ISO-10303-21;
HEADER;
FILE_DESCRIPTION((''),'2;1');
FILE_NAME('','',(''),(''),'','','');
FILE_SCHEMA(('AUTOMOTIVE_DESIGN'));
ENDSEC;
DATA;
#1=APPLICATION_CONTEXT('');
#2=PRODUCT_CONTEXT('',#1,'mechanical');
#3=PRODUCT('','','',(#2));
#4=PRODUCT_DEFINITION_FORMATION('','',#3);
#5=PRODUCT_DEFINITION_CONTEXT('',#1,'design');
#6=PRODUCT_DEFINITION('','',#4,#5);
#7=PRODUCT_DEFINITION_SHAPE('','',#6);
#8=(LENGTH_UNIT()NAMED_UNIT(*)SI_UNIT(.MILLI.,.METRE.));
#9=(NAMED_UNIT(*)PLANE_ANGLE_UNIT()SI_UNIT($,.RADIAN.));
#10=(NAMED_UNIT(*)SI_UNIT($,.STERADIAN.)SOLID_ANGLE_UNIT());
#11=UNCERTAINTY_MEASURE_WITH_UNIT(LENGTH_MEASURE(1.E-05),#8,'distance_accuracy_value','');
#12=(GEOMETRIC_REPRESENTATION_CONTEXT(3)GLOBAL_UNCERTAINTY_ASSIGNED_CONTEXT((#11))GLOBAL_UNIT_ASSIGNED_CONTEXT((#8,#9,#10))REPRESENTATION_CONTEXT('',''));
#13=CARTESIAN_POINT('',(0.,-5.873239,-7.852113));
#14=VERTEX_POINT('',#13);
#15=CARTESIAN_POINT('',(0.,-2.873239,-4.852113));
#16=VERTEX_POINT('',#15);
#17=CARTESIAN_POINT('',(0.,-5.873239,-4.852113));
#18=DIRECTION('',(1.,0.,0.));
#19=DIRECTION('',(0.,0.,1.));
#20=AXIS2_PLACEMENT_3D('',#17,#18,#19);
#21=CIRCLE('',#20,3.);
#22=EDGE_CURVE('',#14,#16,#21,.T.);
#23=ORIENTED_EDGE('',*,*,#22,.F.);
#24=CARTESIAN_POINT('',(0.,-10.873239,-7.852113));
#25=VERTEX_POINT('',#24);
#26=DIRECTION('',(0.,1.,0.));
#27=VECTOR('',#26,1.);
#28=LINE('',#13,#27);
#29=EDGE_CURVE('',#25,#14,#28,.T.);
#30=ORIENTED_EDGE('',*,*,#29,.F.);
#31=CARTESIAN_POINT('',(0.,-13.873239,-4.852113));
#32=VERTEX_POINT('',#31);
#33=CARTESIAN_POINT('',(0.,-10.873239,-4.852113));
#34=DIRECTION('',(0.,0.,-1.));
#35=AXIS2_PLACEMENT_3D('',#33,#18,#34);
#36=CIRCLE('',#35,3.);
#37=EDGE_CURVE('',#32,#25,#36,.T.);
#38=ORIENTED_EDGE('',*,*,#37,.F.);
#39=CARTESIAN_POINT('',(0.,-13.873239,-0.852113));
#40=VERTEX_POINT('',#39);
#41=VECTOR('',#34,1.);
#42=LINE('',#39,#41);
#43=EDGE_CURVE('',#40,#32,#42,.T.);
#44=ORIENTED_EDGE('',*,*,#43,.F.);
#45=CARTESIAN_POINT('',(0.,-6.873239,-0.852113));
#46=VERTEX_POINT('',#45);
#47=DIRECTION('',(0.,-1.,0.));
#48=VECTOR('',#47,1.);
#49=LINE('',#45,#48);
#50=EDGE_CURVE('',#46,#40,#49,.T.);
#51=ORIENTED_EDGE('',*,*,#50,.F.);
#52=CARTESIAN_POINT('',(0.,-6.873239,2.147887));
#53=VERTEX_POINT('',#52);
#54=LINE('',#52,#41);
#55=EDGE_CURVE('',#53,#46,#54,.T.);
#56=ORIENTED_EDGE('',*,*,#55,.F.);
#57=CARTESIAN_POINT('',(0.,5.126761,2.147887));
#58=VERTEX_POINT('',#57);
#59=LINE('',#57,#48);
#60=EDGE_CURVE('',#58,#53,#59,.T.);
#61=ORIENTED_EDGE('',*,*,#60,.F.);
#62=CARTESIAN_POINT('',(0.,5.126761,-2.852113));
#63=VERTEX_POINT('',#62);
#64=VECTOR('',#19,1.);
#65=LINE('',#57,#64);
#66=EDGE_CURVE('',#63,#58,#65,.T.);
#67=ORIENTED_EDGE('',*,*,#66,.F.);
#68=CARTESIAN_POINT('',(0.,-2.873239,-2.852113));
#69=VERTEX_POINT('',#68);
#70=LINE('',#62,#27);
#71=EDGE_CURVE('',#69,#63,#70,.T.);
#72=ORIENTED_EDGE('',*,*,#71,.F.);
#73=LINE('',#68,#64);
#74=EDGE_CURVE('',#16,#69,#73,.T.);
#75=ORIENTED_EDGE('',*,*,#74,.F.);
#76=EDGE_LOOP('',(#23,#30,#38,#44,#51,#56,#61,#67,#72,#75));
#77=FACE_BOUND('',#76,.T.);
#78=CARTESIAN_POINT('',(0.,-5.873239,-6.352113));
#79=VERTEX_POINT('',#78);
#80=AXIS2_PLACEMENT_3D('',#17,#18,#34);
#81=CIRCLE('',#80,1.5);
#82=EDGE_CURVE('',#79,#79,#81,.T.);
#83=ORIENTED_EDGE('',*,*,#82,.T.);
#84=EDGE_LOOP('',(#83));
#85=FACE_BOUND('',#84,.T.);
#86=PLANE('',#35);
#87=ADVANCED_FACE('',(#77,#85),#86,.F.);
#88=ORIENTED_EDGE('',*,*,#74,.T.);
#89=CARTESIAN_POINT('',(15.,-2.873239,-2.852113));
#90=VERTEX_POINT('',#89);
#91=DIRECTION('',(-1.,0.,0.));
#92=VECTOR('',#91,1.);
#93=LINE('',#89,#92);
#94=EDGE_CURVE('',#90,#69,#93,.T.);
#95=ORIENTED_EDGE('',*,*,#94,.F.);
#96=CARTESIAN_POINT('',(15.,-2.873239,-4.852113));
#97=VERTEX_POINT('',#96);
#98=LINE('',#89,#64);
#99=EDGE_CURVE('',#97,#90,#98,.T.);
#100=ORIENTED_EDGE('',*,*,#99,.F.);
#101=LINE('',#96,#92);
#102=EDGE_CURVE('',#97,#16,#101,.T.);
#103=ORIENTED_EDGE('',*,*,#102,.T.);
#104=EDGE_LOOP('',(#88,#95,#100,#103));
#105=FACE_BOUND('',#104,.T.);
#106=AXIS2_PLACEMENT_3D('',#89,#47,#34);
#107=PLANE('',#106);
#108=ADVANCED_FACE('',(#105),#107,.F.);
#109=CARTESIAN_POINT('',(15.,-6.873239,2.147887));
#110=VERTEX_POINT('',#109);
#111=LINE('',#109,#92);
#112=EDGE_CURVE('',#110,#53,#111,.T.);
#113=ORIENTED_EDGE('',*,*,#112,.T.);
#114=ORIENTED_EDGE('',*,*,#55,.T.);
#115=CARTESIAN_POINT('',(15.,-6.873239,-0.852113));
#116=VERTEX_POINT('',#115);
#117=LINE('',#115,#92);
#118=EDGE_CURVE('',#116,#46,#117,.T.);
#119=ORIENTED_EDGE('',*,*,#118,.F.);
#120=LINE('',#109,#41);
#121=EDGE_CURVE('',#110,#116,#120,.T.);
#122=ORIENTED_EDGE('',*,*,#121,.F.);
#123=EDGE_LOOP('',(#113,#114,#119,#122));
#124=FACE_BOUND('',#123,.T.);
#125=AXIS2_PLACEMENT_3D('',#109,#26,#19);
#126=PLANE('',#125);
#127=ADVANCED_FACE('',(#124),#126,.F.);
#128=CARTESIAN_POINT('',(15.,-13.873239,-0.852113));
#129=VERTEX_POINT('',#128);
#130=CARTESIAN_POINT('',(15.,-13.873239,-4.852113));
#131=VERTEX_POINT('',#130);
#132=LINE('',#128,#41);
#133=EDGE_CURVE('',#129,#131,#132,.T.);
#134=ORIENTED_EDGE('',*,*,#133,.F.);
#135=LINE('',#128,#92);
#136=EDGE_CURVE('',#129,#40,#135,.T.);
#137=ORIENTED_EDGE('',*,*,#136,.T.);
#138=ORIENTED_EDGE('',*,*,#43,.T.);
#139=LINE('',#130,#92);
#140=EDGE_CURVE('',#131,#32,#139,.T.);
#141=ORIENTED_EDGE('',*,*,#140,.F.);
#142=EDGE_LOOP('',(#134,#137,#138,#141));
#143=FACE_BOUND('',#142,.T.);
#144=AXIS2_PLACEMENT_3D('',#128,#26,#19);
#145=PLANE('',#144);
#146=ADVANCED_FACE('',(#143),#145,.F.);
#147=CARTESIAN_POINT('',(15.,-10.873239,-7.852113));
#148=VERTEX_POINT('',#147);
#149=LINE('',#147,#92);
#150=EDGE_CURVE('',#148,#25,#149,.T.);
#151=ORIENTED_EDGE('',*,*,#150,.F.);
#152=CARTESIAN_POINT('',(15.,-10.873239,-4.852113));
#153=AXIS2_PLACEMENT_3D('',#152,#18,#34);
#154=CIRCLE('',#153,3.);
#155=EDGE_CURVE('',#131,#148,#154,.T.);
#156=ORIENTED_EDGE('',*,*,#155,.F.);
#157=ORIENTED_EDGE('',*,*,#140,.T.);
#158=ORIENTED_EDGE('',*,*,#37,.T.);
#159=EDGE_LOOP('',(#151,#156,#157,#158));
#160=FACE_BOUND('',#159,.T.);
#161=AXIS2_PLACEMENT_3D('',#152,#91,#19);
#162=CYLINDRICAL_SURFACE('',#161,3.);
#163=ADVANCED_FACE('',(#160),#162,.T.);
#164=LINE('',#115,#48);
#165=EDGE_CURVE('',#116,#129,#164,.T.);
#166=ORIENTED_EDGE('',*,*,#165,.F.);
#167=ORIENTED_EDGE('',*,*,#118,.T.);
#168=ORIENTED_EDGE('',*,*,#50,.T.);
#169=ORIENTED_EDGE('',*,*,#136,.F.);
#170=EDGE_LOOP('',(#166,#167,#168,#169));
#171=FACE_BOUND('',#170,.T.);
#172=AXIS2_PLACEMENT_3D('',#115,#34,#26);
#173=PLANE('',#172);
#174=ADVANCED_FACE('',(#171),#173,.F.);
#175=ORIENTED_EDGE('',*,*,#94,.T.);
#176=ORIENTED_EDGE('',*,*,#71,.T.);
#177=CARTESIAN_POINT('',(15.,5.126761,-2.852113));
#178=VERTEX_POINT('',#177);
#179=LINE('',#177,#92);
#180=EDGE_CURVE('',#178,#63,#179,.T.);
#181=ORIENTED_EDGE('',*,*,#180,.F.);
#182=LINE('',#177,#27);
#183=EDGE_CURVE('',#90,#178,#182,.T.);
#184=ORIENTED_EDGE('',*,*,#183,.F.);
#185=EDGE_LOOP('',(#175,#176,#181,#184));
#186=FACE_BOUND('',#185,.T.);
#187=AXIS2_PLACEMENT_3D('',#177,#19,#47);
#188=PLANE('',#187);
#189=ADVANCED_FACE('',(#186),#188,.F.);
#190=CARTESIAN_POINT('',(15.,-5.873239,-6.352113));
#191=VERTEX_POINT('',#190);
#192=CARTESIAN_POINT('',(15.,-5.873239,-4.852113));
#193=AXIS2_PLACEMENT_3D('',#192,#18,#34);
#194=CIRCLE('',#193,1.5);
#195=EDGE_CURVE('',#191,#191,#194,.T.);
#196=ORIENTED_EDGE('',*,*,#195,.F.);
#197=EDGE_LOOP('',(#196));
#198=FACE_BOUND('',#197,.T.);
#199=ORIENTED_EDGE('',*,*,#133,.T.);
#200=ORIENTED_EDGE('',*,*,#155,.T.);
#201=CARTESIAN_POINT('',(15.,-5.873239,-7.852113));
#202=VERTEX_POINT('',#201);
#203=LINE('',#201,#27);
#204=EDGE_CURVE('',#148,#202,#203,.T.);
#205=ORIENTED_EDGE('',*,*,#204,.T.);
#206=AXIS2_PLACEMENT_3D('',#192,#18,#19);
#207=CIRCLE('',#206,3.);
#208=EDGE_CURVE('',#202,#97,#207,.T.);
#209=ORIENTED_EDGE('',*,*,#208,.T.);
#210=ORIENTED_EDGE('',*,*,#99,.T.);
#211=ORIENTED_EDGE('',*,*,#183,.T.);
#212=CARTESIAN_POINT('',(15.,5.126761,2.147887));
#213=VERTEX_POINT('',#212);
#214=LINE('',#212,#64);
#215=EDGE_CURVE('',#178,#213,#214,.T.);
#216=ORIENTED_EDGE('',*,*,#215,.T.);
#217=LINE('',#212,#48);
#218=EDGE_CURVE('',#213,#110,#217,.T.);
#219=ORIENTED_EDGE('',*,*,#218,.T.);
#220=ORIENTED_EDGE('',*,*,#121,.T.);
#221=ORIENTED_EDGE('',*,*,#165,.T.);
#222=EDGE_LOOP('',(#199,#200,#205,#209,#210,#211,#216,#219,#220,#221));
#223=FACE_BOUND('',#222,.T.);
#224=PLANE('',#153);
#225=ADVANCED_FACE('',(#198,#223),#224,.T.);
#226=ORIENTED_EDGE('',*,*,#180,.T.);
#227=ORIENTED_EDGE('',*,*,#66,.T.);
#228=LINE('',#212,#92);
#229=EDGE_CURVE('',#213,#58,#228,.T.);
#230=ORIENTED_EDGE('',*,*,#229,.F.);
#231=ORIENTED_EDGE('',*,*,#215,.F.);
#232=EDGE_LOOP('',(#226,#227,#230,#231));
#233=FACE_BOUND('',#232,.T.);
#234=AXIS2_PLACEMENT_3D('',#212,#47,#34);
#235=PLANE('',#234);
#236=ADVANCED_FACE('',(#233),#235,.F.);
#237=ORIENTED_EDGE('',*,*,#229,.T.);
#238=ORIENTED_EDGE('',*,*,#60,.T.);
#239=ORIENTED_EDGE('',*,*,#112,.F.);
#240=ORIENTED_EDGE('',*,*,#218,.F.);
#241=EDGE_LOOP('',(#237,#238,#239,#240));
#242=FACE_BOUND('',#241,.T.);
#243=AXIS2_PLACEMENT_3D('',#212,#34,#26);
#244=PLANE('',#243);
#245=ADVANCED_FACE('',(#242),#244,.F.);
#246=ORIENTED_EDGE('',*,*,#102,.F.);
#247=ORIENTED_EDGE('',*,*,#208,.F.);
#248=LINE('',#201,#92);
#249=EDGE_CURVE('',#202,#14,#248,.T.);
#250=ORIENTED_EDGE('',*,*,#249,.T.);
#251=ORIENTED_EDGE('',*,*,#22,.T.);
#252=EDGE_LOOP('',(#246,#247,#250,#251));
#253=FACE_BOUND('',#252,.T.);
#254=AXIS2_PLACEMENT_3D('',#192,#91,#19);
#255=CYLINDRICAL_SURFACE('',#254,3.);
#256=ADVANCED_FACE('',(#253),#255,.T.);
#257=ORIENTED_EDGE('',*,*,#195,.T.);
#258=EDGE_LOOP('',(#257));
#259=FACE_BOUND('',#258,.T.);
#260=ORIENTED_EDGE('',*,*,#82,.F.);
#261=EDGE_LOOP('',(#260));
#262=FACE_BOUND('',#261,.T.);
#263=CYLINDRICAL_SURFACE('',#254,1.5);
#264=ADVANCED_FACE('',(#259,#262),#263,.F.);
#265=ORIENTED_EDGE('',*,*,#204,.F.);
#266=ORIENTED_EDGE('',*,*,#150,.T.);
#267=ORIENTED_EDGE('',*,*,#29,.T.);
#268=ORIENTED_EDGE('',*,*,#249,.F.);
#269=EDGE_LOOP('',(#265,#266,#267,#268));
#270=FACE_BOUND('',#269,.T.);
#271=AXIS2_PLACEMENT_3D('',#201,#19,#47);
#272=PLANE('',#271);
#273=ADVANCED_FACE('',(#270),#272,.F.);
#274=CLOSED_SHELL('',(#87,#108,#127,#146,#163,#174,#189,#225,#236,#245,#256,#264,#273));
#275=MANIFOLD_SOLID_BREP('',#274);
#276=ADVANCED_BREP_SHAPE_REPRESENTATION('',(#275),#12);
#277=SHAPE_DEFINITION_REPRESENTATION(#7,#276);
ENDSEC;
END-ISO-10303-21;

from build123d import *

# Parameters (mm, degrees)
SKETCH1_R           = 1.5
BOSS_EXTRUDE1_DEPTH = 15


with BuildPart() as part:
    # Sketch1 → Boss-Extrude1 (new body)
    with BuildSketch(Plane(origin=(0, 0, 0), x_dir=(0, 0, -1), z_dir=(1, 0, 0))):
        with BuildLine():
            Line((-2.147887324, 5.126760563), (2.852112676, 5.126760563))
            Line((2.852112676, 5.126760563), (2.852112676, -2.873239437))
            Line((2.852112676, -2.873239437), (4.852112676, -2.873239437))
            ThreePointArc((4.852112676, -2.873239437), (6.97343302, -3.751919093), (7.852112676, -5.873239437))
            Line((7.852112676, -5.873239437), (7.852112676, -10.873239437))
            ThreePointArc((7.852112676, -10.873239437), (6.97343302, -12.99455978), (4.852112676, -13.873239437))
            Line((4.852112676, -13.873239437), (0.852112676, -13.873239437))
            Line((0.852112676, -13.873239437), (0.852112676, -6.873239437))
            Line((0.852112676, -6.873239437), (-2.147887324, -6.873239437))
            Line((-2.147887324, -6.873239437), (-2.147887324, 5.126760563))
        make_face()
        with Locations((4.852112676, -5.873239437)):
            Circle(SKETCH1_R, mode=Mode.SUBTRACT)
    extrude(amount=BOSS_EXTRUDE1_DEPTH)


solid = part.part
